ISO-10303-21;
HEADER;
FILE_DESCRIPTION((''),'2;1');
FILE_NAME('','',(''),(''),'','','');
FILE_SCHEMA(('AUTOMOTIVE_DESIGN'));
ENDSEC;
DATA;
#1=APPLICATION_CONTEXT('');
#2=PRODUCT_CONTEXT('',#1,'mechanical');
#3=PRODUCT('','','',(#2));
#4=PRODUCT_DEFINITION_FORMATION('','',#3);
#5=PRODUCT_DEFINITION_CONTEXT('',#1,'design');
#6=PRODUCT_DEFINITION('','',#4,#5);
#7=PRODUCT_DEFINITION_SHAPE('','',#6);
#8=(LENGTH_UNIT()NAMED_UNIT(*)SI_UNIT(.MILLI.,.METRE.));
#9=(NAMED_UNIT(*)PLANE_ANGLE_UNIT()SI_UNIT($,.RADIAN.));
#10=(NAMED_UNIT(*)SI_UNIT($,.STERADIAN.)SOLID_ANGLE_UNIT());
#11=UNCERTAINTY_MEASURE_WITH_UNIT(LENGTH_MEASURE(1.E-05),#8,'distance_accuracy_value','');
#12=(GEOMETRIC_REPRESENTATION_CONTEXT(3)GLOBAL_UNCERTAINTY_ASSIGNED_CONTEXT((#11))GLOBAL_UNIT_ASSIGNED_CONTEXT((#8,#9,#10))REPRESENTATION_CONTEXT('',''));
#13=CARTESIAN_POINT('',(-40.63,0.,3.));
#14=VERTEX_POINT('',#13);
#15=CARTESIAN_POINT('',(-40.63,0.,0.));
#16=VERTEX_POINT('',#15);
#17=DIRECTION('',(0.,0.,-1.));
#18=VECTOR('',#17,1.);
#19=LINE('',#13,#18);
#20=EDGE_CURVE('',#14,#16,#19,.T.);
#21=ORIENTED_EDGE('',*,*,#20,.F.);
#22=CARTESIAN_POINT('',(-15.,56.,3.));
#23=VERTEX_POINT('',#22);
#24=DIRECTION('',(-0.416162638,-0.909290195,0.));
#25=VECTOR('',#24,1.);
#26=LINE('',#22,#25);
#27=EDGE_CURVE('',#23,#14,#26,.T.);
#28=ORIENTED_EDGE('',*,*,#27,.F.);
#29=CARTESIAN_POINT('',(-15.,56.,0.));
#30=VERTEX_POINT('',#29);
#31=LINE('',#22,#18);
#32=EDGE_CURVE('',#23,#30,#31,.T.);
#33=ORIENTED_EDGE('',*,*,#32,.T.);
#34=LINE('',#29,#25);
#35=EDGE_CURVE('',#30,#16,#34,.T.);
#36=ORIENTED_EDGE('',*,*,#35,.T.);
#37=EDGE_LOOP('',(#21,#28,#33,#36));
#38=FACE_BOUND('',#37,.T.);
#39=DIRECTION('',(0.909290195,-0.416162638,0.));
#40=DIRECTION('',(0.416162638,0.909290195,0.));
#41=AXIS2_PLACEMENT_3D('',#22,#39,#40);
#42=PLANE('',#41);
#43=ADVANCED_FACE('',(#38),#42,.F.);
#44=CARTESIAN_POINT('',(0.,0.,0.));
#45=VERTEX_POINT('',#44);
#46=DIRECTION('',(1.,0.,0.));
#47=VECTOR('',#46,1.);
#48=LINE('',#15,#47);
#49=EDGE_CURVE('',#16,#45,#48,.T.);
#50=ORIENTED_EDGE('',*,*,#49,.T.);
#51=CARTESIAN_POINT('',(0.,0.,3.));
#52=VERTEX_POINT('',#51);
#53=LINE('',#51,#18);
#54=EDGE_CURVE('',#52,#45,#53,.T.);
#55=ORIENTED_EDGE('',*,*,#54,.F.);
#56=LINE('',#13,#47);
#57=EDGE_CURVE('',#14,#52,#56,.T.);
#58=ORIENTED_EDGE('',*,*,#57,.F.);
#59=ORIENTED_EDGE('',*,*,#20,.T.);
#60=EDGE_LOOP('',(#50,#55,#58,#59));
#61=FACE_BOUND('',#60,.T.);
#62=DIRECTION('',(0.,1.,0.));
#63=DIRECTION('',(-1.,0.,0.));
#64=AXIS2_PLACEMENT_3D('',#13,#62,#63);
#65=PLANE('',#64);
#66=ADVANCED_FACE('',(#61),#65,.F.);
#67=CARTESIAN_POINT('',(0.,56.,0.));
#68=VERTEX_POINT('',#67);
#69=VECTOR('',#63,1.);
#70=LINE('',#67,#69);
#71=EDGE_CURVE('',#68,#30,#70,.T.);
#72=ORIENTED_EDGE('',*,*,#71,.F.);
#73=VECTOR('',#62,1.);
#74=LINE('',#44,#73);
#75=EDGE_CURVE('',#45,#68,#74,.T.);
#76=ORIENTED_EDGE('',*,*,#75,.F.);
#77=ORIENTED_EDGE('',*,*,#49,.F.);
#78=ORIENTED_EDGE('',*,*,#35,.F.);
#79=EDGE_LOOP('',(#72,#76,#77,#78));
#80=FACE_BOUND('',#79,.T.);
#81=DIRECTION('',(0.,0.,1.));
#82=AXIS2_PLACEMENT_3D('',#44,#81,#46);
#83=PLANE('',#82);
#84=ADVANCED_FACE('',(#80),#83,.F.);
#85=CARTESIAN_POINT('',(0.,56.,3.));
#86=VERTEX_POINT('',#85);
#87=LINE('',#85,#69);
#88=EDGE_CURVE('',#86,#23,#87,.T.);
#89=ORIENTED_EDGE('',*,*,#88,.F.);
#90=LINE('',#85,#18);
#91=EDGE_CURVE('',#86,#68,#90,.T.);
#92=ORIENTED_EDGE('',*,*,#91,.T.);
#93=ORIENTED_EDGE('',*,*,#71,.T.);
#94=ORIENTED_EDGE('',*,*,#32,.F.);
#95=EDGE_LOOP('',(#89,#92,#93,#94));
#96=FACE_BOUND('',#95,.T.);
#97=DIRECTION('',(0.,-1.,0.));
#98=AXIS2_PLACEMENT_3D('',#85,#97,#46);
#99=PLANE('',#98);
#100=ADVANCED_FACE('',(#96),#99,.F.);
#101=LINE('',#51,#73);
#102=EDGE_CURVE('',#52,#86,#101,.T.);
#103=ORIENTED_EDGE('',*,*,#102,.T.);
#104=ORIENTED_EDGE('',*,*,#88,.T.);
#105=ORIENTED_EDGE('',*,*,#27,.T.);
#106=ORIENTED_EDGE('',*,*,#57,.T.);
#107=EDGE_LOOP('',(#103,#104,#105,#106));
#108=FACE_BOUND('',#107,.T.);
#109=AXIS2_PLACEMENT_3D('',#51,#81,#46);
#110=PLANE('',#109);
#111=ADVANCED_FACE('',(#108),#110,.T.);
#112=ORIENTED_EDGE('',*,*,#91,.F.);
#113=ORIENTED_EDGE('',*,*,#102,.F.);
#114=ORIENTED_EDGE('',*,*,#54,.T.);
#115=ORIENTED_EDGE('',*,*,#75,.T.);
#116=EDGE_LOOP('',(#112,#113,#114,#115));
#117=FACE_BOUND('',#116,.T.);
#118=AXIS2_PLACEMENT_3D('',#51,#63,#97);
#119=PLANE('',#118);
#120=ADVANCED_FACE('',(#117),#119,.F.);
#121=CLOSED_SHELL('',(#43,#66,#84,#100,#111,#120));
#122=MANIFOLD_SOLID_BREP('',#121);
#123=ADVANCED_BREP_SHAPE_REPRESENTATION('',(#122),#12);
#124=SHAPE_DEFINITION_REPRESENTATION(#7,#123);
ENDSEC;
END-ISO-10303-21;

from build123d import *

# Parameters (mm, degrees)
RESSALTO_EXTRUS_O1_DEPTH = 3


with BuildPart() as part:
    # Esboço1 → Ressalto-extrusão1 (new body)
    with BuildSketch(Plane.XY):
        Polygon((0, 0), (0, 56), (-15, 56), (-40.63, 0), align=None)
    extrude(amount=RESSALTO_EXTRUS_O1_DEPTH)


solid = part.part
